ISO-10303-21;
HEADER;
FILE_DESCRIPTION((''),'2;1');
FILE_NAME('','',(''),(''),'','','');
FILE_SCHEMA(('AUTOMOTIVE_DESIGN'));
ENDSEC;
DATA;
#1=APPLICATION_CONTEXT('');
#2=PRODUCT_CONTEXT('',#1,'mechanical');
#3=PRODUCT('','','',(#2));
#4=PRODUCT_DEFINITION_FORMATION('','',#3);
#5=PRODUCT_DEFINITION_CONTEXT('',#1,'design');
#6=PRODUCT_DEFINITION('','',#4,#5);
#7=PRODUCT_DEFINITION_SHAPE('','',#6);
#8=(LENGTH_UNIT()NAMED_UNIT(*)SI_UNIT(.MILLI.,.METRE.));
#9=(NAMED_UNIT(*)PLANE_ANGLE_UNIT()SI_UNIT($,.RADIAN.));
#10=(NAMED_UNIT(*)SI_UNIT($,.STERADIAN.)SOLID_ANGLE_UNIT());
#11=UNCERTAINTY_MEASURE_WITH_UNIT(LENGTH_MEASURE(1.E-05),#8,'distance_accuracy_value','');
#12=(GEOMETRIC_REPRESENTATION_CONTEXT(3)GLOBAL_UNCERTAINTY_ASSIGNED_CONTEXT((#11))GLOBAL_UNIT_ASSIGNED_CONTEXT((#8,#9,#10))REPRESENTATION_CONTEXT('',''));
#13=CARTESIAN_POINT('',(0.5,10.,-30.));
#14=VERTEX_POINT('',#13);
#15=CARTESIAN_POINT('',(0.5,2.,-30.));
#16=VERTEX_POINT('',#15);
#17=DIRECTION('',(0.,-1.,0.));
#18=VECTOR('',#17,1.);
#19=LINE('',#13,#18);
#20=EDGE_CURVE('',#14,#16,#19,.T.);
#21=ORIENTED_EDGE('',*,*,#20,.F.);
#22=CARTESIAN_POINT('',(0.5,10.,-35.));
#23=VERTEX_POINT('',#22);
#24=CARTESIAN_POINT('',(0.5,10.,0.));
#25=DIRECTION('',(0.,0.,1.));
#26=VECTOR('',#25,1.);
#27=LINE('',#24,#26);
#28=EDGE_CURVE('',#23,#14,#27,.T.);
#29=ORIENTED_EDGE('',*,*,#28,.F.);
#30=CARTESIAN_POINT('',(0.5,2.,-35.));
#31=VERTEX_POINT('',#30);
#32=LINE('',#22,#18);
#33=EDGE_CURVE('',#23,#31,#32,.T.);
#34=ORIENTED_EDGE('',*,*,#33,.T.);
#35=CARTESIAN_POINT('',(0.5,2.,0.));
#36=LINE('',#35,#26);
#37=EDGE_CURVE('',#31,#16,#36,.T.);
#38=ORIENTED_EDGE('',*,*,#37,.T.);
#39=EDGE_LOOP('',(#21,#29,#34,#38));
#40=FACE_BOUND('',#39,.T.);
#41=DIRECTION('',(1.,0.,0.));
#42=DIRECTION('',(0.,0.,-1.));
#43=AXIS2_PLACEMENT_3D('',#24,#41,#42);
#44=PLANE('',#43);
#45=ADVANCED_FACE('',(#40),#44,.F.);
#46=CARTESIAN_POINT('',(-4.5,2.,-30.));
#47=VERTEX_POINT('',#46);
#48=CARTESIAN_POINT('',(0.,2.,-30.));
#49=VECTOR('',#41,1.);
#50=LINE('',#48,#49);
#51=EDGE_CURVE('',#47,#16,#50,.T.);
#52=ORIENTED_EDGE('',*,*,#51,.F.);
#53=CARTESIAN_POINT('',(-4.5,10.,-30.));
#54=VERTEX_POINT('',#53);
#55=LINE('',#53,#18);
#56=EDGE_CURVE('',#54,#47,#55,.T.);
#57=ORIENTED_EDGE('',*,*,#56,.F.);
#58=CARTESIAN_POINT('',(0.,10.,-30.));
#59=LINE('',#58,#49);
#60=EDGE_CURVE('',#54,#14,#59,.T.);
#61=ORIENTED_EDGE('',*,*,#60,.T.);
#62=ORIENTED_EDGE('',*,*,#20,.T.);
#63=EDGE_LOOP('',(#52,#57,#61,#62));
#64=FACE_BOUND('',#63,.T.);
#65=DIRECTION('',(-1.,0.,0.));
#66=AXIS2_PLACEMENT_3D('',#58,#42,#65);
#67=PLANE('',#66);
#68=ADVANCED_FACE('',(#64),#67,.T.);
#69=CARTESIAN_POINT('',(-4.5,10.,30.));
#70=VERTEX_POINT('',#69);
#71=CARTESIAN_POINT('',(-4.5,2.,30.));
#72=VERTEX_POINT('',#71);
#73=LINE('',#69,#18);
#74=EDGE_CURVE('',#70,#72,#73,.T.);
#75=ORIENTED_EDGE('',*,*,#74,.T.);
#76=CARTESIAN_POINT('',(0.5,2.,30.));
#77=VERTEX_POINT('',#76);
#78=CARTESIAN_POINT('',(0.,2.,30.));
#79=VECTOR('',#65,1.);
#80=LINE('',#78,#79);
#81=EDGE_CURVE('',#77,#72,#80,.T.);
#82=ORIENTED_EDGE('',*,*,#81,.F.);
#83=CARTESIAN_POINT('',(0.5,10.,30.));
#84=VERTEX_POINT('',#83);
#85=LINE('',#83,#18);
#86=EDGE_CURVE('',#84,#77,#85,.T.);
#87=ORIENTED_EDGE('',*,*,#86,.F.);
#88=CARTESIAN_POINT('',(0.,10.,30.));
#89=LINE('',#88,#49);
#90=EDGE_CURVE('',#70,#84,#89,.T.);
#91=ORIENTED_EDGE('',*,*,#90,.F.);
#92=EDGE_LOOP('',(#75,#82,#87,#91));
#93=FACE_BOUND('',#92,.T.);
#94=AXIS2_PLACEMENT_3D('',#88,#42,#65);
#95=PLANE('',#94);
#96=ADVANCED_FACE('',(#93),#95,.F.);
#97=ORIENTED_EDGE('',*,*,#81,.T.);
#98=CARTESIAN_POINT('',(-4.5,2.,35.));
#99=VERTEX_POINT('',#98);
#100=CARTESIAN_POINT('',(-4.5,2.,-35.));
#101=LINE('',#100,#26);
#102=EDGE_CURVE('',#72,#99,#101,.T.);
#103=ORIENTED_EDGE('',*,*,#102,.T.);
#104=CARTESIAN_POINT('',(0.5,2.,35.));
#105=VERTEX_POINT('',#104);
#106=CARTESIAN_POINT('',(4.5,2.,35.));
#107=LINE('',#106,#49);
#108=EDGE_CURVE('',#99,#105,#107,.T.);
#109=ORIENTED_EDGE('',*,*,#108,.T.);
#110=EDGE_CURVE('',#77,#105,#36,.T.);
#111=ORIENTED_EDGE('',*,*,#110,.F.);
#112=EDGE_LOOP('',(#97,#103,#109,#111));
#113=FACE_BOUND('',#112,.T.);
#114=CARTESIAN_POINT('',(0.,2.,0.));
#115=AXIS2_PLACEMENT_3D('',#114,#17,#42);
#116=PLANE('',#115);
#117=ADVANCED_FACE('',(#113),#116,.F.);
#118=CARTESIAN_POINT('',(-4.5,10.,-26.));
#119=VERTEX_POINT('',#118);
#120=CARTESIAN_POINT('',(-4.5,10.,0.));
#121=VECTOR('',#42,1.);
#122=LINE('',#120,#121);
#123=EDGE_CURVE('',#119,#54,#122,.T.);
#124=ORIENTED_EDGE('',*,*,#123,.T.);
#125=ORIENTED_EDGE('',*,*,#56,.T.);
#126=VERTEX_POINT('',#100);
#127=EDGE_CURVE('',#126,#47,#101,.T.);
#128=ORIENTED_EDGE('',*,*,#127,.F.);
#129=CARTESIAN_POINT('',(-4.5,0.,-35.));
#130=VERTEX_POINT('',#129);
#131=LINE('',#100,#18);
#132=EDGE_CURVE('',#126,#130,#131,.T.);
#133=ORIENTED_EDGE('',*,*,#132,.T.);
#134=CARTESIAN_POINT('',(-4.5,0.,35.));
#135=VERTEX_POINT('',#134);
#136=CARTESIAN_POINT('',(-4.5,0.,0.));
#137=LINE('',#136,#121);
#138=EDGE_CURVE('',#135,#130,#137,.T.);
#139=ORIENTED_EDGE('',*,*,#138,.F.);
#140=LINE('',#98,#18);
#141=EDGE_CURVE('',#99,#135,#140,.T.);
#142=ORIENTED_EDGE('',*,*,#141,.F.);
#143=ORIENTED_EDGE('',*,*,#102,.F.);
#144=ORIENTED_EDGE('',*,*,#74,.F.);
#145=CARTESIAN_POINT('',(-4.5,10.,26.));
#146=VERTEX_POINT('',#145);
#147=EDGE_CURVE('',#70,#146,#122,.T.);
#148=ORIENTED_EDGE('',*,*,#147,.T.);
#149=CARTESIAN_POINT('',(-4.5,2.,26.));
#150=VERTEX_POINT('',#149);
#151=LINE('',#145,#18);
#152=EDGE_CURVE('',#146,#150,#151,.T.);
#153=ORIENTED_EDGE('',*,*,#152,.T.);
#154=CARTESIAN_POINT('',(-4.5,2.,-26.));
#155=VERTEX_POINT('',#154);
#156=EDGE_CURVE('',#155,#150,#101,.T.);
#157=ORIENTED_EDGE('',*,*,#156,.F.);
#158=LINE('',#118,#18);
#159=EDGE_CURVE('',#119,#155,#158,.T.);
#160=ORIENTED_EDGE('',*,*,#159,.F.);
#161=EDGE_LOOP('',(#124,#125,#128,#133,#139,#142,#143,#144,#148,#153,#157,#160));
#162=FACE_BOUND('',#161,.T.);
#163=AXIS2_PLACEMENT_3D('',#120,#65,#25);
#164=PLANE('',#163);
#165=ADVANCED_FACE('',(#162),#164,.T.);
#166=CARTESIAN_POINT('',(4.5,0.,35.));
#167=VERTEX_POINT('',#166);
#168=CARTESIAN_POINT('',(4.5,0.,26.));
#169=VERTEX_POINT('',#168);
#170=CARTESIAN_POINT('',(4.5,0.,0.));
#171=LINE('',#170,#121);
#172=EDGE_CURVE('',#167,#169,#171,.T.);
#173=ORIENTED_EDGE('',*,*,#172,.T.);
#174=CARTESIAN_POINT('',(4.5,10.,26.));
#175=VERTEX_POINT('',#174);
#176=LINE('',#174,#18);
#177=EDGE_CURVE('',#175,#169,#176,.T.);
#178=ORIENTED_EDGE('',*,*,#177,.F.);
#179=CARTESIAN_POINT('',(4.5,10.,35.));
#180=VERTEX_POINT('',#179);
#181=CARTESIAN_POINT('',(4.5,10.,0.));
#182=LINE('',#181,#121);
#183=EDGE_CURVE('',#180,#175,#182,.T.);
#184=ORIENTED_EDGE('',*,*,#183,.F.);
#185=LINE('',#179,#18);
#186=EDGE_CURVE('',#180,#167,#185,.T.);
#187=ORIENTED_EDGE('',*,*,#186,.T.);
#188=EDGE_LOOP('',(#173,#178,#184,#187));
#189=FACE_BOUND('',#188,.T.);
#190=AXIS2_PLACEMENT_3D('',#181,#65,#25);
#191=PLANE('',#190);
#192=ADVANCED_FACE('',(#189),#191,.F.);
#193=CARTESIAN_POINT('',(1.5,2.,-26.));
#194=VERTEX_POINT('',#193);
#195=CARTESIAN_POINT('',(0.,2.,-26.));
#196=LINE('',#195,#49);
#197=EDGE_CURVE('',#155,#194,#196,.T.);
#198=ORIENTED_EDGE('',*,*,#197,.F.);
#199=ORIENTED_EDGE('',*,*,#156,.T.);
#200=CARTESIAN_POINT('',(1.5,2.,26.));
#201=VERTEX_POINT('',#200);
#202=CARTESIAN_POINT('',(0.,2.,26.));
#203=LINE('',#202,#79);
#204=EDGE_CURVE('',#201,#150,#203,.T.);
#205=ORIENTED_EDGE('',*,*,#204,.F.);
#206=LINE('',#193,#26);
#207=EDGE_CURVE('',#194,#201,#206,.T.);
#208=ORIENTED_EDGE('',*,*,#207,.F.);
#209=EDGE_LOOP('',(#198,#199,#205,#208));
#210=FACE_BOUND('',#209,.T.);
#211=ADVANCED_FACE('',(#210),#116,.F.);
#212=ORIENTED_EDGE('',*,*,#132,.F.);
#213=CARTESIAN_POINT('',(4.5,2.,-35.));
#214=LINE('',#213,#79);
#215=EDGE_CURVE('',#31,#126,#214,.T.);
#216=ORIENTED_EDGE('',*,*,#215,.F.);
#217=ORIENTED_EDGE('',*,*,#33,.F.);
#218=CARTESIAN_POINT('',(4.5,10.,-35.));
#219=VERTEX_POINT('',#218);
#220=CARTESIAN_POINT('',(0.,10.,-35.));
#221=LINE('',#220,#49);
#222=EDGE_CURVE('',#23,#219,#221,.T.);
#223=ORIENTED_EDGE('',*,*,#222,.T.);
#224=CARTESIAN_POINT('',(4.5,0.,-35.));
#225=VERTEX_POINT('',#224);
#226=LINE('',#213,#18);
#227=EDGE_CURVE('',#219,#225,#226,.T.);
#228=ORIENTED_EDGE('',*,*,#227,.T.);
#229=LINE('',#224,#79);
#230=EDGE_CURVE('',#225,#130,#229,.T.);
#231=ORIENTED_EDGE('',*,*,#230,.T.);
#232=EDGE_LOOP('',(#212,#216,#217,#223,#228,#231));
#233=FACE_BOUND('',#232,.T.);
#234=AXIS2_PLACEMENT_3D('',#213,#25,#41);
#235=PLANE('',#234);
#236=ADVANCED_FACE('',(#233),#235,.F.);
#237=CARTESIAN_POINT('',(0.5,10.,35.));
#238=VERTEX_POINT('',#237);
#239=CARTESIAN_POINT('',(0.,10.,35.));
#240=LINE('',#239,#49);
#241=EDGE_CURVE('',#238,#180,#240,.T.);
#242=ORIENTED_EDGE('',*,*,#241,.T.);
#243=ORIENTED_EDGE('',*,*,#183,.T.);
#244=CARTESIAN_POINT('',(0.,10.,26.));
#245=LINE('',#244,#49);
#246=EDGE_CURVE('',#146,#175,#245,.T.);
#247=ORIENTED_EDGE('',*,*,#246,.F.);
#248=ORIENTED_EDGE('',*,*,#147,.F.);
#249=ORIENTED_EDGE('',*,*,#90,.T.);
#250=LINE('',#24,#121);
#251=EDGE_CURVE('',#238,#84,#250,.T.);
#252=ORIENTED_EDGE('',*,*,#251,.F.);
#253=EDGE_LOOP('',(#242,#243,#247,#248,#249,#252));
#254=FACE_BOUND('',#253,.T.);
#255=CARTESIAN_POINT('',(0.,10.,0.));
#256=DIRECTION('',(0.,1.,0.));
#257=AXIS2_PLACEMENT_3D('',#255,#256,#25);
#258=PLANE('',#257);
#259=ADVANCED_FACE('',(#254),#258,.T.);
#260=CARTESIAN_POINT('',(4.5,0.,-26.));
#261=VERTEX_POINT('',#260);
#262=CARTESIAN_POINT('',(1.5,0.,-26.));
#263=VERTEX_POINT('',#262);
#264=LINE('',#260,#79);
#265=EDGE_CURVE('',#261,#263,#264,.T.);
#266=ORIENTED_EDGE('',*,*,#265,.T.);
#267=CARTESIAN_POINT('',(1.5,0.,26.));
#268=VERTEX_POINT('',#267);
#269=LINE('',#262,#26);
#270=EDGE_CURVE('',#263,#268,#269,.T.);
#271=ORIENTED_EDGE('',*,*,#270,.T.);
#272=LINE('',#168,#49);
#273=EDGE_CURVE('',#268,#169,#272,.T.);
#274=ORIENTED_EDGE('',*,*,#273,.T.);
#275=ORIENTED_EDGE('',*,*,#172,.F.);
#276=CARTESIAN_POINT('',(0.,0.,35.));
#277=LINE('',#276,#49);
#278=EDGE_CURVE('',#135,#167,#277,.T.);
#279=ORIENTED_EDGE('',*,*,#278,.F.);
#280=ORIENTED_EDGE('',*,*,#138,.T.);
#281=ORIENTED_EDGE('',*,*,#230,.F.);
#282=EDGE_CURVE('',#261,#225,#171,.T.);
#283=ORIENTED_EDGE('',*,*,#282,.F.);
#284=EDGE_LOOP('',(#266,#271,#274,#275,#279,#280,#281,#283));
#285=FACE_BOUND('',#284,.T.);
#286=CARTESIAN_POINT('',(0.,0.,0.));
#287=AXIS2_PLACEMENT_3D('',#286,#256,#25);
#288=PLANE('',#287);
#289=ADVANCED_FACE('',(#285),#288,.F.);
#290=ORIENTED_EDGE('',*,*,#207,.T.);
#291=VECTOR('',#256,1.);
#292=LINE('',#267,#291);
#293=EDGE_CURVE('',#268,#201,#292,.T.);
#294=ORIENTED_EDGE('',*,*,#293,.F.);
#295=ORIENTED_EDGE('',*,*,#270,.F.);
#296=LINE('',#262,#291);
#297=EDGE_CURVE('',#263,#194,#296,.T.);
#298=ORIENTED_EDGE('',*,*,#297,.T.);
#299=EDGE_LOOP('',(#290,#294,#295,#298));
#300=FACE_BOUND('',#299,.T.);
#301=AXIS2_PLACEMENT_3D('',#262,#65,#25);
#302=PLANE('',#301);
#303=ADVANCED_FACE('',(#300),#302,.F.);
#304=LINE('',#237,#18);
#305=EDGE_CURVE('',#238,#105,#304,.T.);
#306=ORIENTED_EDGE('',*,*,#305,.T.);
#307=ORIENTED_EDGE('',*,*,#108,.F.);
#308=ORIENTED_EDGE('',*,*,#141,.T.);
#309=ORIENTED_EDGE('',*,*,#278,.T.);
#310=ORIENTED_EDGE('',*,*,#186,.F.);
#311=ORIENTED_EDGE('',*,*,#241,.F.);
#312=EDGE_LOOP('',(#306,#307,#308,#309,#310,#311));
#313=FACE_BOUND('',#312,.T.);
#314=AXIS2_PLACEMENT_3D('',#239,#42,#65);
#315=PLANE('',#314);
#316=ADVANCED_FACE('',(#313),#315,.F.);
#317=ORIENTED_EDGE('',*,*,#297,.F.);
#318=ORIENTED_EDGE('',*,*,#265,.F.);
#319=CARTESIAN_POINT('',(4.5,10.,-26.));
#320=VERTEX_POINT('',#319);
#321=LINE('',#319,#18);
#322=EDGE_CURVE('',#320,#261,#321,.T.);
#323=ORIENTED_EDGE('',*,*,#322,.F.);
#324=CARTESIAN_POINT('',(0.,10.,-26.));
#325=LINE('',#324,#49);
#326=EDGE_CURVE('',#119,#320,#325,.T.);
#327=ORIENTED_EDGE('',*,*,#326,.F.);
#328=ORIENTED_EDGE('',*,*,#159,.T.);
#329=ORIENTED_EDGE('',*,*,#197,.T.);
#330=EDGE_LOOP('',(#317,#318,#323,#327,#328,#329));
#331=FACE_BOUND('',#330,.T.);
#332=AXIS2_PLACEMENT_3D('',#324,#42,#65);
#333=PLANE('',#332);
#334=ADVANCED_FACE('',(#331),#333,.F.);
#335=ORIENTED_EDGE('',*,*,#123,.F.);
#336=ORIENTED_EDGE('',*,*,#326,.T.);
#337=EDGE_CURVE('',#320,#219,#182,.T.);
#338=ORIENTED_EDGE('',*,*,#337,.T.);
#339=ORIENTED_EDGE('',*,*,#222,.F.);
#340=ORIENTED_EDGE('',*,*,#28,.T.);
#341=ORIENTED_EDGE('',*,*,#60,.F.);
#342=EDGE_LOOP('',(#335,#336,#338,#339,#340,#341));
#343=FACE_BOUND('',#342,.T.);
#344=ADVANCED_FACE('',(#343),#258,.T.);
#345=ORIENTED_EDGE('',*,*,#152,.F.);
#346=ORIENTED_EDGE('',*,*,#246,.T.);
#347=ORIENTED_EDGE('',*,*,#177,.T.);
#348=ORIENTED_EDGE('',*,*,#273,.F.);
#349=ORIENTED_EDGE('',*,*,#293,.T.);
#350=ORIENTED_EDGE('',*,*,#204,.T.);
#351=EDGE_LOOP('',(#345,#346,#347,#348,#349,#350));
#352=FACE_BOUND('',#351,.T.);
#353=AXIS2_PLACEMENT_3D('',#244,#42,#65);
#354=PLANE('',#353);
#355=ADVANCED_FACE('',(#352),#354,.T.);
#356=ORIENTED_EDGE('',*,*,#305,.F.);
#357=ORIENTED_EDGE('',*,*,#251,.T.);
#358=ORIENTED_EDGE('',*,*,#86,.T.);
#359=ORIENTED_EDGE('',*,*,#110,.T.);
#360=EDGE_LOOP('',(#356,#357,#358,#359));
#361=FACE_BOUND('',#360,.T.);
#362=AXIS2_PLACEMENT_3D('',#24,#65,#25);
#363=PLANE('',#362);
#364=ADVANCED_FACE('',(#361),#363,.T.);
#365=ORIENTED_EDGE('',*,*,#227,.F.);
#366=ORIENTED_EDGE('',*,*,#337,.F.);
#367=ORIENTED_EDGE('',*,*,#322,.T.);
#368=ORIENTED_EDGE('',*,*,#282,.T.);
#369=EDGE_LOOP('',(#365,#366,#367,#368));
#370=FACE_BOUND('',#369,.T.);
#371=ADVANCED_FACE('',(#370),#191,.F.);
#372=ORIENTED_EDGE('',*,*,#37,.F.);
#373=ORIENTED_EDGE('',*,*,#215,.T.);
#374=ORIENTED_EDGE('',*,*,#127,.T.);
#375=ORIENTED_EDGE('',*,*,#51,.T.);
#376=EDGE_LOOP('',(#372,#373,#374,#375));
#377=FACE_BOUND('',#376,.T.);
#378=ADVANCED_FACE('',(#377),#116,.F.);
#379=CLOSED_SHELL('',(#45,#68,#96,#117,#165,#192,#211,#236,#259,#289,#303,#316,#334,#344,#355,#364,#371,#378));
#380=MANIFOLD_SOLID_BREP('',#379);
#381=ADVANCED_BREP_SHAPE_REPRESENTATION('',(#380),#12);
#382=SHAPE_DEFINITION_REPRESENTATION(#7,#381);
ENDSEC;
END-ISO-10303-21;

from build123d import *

# Parameters (mm, degrees)
RESSALTO_EXTRUS_O1_DEPTH   = 10
RESSALTO_EXTRUS_O1_2_DEPTH = 10
ESBO_O2_W                  = 9
ESBO_O2_H                  = 70
RESSALTO_EXTRUS_O2_DEPTH   = 2
ESBO_O3_W                  = 3
ESBO_O3_H                  = 52
CORTE_EXTRUS_O1_DEPTH      = 3


with BuildPart() as part:
    # Esboço1 → Ressalto-extrusão1 (new body)
    with BuildSketch(Plane(origin=(0, 0, 0), x_dir=(1, 0, 0), z_dir=(0, 1, 0))):
        Polygon((0.5, -30), (0.5, -35), (4.5, -35), (4.5, -26), (-4.5, -26), (-4.5, -30), align=None)
    extrude(amount=RESSALTO_EXTRUS_O1_DEPTH)



with BuildPart() as body_2:
    # Esboço1 → Ressalto-extrus_o1 2 (new body)
    with BuildSketch(Plane(origin=(0, 0, 0), x_dir=(1, 0, 0), z_dir=(0, 1, 0))):
        Polygon((-4.5, 30), (-4.5, 26), (4.5, 26), (4.5, 35), (0.5, 35), (0.5, 30), align=None)
    extrude(amount=RESSALTO_EXTRUS_O1_2_DEPTH)


with BuildPart() as part_1:
    add(part.part)

    add(body_2.part)  # Ressalto-extrusão2 merges body 2
    # Esboço2 → Ressalto-extrusão2 (add)
    with BuildSketch(Plane(origin=(0, 0, 0), x_dir=(1, 0, 0), z_dir=(0, 1, 0))):
        Rectangle(ESBO_O2_W, ESBO_O2_H)
    extrude(amount=RESSALTO_EXTRUS_O2_DEPTH)

    # Esboço3 → Corte-extrusão1 (cut, through all)
    with BuildSketch(Plane(origin=(0, 2, 0), x_dir=(1, 0, 0), z_dir=(0, 1, 0))):
        with Locations((3, 0)):
            Rectangle(ESBO_O3_W, ESBO_O3_H)
    extrude(amount=-CORTE_EXTRUS_O1_DEPTH, mode=Mode.SUBTRACT)


solid = part_1.part
